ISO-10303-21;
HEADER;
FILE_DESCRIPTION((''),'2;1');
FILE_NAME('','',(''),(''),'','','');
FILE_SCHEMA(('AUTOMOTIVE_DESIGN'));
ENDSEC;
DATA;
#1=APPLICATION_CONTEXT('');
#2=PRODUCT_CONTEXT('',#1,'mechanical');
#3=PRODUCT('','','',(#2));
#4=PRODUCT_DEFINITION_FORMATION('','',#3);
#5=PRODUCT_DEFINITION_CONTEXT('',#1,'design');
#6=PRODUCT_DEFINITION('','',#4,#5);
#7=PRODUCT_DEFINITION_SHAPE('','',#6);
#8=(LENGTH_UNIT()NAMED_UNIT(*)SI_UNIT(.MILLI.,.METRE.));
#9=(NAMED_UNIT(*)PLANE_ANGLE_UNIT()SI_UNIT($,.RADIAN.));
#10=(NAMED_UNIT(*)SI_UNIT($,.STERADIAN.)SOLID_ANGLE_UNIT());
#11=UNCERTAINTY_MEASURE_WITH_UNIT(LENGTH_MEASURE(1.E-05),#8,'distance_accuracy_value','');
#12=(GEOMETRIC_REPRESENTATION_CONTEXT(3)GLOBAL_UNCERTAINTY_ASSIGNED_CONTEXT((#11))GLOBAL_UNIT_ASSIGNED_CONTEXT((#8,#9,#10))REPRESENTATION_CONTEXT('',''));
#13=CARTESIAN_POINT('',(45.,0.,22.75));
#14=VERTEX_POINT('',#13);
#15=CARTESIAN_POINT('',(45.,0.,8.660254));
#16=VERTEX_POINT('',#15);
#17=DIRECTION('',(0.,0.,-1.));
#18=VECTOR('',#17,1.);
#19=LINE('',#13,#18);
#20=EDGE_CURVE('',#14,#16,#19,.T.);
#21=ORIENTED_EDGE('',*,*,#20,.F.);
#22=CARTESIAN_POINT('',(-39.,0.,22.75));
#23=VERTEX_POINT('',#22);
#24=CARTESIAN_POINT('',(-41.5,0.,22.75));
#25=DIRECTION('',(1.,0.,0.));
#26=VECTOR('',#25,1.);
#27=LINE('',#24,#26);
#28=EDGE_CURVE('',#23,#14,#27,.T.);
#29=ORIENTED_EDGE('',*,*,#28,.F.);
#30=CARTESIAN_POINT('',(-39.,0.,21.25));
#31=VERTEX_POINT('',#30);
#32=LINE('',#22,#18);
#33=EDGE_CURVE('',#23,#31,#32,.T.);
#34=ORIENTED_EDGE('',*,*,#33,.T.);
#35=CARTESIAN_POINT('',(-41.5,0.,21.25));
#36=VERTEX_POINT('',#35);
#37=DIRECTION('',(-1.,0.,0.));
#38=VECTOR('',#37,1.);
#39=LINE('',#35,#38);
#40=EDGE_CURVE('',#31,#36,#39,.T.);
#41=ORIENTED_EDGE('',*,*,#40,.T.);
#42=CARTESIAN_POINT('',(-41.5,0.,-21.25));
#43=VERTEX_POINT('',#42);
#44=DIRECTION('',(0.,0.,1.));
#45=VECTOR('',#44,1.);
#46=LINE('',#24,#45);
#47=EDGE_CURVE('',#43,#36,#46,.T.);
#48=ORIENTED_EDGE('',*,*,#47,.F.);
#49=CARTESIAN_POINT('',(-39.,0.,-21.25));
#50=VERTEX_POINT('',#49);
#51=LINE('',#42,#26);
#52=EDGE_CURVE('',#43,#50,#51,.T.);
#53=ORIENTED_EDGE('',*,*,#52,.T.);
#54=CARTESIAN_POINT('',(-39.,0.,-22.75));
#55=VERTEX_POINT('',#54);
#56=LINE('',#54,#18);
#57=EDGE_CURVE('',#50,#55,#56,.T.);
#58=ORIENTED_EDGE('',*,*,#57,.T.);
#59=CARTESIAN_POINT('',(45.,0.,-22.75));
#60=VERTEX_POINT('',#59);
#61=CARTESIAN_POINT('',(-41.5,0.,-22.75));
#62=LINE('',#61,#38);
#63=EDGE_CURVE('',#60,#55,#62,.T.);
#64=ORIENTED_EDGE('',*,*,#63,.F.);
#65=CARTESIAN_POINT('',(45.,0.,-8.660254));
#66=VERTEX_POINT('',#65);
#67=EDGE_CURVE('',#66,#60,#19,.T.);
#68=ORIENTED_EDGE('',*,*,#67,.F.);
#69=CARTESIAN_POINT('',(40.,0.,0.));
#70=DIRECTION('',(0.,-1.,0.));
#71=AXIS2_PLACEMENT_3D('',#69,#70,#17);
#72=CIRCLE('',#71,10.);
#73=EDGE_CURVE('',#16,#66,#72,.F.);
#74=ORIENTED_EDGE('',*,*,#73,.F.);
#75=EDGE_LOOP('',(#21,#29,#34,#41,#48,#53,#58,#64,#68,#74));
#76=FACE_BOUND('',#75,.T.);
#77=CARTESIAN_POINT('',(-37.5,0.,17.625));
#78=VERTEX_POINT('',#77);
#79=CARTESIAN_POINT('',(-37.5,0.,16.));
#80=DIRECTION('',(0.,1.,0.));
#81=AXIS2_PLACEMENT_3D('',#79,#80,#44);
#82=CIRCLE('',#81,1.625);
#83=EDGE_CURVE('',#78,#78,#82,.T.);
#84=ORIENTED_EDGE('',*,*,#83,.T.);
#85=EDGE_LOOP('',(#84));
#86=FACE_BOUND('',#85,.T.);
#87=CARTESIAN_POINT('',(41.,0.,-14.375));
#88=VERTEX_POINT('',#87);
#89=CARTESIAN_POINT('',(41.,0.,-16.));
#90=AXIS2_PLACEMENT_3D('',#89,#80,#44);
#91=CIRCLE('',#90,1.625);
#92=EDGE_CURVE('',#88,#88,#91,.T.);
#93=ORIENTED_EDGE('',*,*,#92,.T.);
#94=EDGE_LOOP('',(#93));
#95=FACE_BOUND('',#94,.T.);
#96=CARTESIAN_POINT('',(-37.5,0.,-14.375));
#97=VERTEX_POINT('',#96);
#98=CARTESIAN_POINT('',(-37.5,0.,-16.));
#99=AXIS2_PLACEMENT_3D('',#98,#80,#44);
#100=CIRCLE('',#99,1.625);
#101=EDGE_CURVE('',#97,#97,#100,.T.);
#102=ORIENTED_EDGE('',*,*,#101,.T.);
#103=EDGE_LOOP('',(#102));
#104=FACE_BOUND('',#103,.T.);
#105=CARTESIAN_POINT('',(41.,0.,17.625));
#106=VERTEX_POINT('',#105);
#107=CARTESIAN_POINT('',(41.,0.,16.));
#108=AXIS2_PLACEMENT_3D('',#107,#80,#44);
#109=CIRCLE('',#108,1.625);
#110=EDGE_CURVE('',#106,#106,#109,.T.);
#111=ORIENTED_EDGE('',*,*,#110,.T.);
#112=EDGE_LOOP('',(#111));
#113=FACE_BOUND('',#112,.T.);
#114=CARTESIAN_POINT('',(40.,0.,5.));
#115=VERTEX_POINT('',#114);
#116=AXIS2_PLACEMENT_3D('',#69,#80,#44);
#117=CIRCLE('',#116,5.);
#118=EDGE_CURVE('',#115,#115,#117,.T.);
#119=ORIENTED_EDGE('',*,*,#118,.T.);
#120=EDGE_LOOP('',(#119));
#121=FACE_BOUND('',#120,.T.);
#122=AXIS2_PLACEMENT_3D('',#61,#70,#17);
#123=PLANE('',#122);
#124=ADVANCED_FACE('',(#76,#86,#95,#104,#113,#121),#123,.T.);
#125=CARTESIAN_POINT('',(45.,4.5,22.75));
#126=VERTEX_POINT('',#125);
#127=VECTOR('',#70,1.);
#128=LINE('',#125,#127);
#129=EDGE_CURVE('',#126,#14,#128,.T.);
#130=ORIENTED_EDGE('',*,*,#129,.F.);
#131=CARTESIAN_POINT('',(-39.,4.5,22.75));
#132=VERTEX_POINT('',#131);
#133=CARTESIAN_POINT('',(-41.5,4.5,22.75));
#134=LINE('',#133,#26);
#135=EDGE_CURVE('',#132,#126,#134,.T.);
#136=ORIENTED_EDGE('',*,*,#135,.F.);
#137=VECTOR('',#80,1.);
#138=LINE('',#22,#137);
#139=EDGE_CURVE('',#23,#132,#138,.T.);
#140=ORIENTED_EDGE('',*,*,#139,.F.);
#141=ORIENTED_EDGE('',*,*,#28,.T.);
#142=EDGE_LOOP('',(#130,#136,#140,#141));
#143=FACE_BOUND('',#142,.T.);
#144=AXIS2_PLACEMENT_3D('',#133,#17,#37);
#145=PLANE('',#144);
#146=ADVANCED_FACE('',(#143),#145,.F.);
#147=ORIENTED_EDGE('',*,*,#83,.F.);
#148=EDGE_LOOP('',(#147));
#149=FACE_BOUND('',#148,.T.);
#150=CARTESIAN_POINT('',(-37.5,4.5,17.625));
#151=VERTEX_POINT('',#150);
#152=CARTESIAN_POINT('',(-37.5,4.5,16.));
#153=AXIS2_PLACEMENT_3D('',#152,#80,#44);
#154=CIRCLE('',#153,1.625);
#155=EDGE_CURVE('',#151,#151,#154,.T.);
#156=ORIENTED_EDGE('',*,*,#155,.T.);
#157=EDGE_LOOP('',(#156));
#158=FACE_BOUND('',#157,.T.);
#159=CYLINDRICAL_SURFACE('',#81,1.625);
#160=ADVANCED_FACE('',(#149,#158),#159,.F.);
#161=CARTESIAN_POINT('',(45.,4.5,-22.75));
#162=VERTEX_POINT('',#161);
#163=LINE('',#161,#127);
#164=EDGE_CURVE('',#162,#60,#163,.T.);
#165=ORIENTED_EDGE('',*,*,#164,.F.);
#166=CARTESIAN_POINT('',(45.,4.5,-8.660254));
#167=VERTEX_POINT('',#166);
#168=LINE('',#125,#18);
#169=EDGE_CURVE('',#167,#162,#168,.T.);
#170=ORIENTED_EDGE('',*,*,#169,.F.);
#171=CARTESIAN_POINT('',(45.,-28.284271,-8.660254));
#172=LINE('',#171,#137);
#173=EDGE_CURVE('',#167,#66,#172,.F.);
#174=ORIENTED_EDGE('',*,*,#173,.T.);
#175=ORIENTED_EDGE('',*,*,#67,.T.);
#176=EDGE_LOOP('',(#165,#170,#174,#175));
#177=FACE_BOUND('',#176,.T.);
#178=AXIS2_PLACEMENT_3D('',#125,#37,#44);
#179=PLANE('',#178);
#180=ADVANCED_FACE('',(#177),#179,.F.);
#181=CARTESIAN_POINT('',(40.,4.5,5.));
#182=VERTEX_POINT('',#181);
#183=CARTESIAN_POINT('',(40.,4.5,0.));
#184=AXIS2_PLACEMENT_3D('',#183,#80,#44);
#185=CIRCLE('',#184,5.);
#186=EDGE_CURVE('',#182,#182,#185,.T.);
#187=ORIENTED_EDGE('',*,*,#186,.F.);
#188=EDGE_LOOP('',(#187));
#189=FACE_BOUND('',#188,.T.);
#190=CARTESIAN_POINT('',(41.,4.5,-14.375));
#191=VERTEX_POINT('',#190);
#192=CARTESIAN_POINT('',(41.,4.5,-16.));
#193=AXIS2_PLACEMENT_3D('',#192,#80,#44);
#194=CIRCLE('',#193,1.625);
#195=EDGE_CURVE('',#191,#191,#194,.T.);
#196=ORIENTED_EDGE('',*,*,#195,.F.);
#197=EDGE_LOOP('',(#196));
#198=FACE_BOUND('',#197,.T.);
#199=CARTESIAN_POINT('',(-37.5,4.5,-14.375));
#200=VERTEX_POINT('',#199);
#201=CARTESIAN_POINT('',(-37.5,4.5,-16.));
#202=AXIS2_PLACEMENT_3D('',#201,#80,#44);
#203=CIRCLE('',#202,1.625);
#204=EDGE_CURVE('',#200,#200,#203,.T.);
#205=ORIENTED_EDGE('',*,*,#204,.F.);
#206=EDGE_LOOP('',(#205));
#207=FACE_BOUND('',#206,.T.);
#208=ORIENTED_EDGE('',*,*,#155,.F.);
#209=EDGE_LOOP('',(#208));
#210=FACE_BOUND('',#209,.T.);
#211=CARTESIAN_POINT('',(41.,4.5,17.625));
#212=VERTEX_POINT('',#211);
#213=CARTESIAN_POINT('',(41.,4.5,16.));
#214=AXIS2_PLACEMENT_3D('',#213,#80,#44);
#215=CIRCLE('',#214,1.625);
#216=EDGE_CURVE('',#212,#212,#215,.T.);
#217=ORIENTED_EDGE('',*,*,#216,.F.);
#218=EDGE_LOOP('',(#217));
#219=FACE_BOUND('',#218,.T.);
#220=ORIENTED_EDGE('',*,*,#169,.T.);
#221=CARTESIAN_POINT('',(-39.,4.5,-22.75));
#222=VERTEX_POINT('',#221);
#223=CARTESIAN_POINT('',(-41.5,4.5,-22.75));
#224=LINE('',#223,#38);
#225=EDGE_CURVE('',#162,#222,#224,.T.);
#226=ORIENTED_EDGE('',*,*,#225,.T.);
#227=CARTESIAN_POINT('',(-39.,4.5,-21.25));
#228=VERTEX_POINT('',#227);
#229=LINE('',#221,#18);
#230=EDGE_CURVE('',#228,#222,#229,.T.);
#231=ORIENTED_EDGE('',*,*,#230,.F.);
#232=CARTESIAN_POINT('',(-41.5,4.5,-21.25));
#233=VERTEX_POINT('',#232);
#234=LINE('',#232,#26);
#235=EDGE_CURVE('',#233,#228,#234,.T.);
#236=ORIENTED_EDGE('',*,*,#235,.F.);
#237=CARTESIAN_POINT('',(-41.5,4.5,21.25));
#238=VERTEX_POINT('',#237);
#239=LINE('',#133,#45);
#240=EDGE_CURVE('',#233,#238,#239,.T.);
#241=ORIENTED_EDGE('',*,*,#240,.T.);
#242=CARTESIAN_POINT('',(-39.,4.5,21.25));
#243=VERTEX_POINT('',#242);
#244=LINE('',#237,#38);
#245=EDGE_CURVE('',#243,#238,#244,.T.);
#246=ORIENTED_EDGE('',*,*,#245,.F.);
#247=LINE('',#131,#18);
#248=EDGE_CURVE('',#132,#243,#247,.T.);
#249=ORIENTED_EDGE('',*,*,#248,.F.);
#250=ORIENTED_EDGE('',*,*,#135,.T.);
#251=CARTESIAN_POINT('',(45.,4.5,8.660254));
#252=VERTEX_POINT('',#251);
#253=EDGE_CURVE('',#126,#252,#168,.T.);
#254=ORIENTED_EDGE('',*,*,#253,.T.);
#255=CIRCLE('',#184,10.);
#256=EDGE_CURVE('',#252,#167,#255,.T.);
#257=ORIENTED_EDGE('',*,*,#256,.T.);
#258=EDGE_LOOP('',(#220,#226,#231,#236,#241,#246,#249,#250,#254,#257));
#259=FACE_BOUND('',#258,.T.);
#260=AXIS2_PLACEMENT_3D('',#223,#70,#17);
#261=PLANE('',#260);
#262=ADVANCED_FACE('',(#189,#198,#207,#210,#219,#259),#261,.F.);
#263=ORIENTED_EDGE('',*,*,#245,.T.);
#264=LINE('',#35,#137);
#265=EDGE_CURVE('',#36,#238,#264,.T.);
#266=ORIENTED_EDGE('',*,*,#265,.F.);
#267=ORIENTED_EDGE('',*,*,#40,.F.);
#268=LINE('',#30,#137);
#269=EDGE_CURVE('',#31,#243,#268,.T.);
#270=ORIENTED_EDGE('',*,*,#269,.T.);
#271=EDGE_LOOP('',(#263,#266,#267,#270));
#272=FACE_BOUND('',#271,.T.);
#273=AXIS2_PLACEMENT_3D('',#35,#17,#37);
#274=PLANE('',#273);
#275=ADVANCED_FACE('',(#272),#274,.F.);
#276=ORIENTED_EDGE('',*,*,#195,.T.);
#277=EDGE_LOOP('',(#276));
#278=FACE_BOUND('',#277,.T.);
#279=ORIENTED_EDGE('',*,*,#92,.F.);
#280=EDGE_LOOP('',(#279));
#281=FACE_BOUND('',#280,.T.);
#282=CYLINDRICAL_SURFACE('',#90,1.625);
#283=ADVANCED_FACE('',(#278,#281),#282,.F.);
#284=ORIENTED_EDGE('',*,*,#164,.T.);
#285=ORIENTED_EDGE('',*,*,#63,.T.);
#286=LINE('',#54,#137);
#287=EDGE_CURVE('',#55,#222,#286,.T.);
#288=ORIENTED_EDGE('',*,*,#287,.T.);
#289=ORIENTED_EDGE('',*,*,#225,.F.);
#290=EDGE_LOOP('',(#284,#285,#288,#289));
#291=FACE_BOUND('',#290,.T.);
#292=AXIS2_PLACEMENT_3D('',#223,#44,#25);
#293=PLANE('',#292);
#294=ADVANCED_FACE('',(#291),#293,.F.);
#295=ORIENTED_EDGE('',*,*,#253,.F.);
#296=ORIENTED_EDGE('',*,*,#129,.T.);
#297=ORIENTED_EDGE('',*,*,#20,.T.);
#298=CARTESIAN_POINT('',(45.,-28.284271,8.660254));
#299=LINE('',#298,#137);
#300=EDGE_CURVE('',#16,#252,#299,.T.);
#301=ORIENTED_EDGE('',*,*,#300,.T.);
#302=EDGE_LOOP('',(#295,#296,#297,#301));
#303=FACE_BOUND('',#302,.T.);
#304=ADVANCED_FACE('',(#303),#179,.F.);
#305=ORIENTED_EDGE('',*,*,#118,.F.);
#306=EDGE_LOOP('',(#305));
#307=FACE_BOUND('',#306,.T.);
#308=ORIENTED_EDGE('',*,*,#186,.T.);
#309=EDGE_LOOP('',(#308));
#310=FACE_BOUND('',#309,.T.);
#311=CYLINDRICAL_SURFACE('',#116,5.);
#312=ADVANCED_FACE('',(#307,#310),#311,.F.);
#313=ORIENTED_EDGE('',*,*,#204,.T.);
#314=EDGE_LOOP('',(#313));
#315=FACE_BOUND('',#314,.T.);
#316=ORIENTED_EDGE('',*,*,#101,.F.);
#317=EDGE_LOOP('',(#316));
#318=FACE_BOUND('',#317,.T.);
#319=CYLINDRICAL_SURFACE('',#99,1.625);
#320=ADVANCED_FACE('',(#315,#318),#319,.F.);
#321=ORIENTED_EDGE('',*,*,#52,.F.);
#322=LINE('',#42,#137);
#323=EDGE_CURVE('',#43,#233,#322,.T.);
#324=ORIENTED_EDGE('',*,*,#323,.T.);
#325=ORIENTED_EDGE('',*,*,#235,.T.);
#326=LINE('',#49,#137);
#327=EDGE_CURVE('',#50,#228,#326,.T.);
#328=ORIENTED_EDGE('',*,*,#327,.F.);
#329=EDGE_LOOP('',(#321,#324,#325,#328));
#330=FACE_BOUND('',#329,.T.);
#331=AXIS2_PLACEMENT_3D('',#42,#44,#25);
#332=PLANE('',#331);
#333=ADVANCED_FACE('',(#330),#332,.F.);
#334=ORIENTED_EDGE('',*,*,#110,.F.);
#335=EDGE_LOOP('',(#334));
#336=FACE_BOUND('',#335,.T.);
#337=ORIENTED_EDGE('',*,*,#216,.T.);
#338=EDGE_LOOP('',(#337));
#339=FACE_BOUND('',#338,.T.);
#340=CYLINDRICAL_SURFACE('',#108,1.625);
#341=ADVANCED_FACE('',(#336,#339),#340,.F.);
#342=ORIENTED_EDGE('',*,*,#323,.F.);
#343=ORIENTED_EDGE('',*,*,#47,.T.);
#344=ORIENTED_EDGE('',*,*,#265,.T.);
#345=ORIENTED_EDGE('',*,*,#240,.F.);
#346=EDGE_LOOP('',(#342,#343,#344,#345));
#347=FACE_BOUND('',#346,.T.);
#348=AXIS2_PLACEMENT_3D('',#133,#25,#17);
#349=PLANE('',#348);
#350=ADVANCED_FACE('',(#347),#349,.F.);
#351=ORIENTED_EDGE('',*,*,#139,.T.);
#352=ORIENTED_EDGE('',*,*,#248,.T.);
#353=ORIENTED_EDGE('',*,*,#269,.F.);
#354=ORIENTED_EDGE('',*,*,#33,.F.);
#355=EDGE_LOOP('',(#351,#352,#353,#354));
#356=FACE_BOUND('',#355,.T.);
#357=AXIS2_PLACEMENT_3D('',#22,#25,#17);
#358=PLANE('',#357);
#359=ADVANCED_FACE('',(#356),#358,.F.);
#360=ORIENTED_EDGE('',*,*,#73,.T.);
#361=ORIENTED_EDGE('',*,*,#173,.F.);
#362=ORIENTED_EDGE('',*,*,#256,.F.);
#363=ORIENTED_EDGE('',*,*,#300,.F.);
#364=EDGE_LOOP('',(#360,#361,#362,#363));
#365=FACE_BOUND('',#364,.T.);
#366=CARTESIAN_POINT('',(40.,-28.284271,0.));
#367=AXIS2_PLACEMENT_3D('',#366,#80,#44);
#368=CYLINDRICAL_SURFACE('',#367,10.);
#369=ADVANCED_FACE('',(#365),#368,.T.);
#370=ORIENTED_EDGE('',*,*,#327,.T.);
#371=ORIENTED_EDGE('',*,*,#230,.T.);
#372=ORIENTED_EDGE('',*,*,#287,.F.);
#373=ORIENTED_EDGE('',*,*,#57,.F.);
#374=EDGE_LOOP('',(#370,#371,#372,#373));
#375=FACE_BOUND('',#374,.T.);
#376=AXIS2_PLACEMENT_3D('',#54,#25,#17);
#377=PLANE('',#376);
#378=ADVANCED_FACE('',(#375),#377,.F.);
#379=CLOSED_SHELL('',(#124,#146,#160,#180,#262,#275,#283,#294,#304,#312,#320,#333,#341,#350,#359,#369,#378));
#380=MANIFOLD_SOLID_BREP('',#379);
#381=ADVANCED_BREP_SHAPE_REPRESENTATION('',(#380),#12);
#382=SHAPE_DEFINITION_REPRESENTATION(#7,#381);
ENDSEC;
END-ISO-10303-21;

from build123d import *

# Parameters (mm, degrees)
SKETCH2_W           = 86.5
SKETCH2_H           = 45.5
BOSS_EXTRUDE1_DEPTH = 4.5
SKETCH3_R           = 1.625
CUT_EXTRUDE1_DEPTH  = 5.5
SKETCH5_R           = 10
BOSS_EXTRUDE2_DEPTH = 4.5
SKETCH6_R           = 5
CUT_EXTRUDE3_DEPTH  = 5.5
SKETCH7_W           = 2.5
SKETCH7_H           = 1.5
CUT_EXTRUDE4_DEPTH  = 5.5


with BuildPart() as part:
    # Sketch2 → Boss-Extrude1 (new body)
    with BuildSketch(Plane(origin=(0, 0, 0), x_dir=(1, 0, 0), z_dir=(0, 1, 0))):
        with Locations((1.75, 0)):
            Rectangle(SKETCH2_W, SKETCH2_H)
    extrude(amount=BOSS_EXTRUDE1_DEPTH)

    # Sketch3 → Cut-Extrude1 (cut, through all)
    with BuildSketch(Plane(origin=(0, 4.5, 0), x_dir=(1, 0, 0), z_dir=(0, 1, 0))):
        with Locations((-37.5, -16)):
            Circle(SKETCH3_R)
        with Locations((-37.5, 16)):
            Circle(SKETCH3_R)
        with Locations((41, 16)):
            Circle(SKETCH3_R)
        with Locations((41, -16)):
            Circle(SKETCH3_R)
    extrude(amount=-CUT_EXTRUDE1_DEPTH, mode=Mode.SUBTRACT)

    # Sketch5 → Boss-Extrude2 (add)
    with BuildSketch(Plane(origin=(0, 4.5, 0), x_dir=(1, 0, 0), z_dir=(0, 1, 0))):
        with Locations((40, 0)):
            Circle(SKETCH5_R)
    extrude(amount=-BOSS_EXTRUDE2_DEPTH)

    # Sketch6 → Cut-Extrude3 (cut, through all)
    with BuildSketch(Plane(origin=(0, 4.5, 0), x_dir=(1, 0, 0), z_dir=(0, 1, 0))):
        with Locations((40, 0)):
            Circle(SKETCH6_R)
    extrude(amount=-CUT_EXTRUDE3_DEPTH, mode=Mode.SUBTRACT)

    # Sketch7 → Cut-Extrude4 (cut, through all)
    with BuildSketch(Plane(origin=(0, 4.5, 0), x_dir=(1, 0, 0), z_dir=(0, 1, 0))):
        with Locations((-40.25, 22)):
            Rectangle(SKETCH7_W, SKETCH7_H)
        with Locations((-40.25, -22)):
            Rectangle(SKETCH7_W, SKETCH7_H)
    extrude(amount=-CUT_EXTRUDE4_DEPTH, mode=Mode.SUBTRACT)


solid = part.part
